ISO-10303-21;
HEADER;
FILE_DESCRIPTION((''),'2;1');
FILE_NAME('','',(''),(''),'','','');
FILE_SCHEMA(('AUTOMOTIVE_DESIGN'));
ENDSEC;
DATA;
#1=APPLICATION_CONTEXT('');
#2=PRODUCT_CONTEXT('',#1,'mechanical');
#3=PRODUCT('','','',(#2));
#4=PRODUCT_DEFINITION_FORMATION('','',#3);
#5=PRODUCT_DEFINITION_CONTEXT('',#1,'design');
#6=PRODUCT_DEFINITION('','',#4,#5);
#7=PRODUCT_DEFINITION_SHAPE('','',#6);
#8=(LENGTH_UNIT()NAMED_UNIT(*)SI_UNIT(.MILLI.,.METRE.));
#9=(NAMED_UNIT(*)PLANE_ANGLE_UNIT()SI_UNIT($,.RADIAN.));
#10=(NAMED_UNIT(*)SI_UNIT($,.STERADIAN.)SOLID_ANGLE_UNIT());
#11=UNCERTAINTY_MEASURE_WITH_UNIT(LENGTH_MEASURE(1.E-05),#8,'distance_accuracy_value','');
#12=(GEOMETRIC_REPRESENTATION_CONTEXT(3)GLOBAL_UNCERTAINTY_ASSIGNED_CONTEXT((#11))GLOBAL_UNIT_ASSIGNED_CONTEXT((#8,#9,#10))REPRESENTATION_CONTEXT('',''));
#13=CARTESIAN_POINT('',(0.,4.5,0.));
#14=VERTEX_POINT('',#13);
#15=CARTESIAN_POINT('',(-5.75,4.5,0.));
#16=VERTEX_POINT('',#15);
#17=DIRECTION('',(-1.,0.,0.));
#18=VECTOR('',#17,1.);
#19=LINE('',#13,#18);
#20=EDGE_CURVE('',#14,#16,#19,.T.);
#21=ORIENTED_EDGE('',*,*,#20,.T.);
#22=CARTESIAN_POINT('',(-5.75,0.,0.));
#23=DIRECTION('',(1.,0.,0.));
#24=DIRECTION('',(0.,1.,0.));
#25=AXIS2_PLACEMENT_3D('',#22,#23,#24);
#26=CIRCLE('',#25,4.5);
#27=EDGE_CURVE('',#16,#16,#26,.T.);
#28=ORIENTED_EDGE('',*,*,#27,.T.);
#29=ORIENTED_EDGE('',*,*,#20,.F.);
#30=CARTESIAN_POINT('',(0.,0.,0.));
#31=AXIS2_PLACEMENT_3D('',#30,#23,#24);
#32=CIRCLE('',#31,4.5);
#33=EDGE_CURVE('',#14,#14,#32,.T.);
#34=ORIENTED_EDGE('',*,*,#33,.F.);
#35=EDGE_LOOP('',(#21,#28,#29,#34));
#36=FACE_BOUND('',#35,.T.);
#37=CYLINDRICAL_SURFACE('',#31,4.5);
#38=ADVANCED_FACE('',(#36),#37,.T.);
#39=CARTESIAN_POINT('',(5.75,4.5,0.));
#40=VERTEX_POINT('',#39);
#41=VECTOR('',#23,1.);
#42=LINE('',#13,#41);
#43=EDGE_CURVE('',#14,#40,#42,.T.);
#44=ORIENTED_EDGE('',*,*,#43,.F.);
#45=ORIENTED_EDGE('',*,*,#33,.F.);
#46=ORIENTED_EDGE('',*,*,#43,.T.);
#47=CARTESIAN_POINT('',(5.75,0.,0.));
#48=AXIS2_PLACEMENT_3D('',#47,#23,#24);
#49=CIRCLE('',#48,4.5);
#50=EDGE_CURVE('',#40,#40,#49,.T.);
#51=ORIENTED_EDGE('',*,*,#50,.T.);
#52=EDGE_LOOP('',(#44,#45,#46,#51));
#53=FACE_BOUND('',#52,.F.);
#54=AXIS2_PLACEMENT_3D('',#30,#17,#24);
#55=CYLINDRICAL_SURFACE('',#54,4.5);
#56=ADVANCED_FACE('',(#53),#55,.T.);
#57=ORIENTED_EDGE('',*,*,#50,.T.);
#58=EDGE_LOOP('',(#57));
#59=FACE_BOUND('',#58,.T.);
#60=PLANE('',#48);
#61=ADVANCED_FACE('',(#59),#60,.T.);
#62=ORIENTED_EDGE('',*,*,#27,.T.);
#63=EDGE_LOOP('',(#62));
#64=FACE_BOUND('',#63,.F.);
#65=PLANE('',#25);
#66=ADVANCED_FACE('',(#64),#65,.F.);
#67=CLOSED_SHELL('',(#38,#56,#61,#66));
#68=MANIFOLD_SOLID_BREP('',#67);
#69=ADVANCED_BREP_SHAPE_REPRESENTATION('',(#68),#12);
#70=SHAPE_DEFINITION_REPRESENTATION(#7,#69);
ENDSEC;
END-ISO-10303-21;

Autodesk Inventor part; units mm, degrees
ref_plane "YZ Plane" through (0, 0, 0) normal (1, 0, 0) x (0, 1, 0)
ref_plane "XZ Plane" through (0, 0, 0) normal (0, 1, 0) x (-1, 0, 0)
ref_plane "XY Plane" through (0, 0, 0) normal (0, 0, 1) x (1, 0, 0)
sketch "Sketch1" plane through (0, 0, 0) normal (1, 0, 0) x (0, 1, 0)
  circle A0 centre (0, 0) radius 4.5
  dimension "d0" = 9
extrude "Extrusion1" add sketch "Sketch1" along normal mid plane 11.5
properties part number "wheel_little_wheel"
